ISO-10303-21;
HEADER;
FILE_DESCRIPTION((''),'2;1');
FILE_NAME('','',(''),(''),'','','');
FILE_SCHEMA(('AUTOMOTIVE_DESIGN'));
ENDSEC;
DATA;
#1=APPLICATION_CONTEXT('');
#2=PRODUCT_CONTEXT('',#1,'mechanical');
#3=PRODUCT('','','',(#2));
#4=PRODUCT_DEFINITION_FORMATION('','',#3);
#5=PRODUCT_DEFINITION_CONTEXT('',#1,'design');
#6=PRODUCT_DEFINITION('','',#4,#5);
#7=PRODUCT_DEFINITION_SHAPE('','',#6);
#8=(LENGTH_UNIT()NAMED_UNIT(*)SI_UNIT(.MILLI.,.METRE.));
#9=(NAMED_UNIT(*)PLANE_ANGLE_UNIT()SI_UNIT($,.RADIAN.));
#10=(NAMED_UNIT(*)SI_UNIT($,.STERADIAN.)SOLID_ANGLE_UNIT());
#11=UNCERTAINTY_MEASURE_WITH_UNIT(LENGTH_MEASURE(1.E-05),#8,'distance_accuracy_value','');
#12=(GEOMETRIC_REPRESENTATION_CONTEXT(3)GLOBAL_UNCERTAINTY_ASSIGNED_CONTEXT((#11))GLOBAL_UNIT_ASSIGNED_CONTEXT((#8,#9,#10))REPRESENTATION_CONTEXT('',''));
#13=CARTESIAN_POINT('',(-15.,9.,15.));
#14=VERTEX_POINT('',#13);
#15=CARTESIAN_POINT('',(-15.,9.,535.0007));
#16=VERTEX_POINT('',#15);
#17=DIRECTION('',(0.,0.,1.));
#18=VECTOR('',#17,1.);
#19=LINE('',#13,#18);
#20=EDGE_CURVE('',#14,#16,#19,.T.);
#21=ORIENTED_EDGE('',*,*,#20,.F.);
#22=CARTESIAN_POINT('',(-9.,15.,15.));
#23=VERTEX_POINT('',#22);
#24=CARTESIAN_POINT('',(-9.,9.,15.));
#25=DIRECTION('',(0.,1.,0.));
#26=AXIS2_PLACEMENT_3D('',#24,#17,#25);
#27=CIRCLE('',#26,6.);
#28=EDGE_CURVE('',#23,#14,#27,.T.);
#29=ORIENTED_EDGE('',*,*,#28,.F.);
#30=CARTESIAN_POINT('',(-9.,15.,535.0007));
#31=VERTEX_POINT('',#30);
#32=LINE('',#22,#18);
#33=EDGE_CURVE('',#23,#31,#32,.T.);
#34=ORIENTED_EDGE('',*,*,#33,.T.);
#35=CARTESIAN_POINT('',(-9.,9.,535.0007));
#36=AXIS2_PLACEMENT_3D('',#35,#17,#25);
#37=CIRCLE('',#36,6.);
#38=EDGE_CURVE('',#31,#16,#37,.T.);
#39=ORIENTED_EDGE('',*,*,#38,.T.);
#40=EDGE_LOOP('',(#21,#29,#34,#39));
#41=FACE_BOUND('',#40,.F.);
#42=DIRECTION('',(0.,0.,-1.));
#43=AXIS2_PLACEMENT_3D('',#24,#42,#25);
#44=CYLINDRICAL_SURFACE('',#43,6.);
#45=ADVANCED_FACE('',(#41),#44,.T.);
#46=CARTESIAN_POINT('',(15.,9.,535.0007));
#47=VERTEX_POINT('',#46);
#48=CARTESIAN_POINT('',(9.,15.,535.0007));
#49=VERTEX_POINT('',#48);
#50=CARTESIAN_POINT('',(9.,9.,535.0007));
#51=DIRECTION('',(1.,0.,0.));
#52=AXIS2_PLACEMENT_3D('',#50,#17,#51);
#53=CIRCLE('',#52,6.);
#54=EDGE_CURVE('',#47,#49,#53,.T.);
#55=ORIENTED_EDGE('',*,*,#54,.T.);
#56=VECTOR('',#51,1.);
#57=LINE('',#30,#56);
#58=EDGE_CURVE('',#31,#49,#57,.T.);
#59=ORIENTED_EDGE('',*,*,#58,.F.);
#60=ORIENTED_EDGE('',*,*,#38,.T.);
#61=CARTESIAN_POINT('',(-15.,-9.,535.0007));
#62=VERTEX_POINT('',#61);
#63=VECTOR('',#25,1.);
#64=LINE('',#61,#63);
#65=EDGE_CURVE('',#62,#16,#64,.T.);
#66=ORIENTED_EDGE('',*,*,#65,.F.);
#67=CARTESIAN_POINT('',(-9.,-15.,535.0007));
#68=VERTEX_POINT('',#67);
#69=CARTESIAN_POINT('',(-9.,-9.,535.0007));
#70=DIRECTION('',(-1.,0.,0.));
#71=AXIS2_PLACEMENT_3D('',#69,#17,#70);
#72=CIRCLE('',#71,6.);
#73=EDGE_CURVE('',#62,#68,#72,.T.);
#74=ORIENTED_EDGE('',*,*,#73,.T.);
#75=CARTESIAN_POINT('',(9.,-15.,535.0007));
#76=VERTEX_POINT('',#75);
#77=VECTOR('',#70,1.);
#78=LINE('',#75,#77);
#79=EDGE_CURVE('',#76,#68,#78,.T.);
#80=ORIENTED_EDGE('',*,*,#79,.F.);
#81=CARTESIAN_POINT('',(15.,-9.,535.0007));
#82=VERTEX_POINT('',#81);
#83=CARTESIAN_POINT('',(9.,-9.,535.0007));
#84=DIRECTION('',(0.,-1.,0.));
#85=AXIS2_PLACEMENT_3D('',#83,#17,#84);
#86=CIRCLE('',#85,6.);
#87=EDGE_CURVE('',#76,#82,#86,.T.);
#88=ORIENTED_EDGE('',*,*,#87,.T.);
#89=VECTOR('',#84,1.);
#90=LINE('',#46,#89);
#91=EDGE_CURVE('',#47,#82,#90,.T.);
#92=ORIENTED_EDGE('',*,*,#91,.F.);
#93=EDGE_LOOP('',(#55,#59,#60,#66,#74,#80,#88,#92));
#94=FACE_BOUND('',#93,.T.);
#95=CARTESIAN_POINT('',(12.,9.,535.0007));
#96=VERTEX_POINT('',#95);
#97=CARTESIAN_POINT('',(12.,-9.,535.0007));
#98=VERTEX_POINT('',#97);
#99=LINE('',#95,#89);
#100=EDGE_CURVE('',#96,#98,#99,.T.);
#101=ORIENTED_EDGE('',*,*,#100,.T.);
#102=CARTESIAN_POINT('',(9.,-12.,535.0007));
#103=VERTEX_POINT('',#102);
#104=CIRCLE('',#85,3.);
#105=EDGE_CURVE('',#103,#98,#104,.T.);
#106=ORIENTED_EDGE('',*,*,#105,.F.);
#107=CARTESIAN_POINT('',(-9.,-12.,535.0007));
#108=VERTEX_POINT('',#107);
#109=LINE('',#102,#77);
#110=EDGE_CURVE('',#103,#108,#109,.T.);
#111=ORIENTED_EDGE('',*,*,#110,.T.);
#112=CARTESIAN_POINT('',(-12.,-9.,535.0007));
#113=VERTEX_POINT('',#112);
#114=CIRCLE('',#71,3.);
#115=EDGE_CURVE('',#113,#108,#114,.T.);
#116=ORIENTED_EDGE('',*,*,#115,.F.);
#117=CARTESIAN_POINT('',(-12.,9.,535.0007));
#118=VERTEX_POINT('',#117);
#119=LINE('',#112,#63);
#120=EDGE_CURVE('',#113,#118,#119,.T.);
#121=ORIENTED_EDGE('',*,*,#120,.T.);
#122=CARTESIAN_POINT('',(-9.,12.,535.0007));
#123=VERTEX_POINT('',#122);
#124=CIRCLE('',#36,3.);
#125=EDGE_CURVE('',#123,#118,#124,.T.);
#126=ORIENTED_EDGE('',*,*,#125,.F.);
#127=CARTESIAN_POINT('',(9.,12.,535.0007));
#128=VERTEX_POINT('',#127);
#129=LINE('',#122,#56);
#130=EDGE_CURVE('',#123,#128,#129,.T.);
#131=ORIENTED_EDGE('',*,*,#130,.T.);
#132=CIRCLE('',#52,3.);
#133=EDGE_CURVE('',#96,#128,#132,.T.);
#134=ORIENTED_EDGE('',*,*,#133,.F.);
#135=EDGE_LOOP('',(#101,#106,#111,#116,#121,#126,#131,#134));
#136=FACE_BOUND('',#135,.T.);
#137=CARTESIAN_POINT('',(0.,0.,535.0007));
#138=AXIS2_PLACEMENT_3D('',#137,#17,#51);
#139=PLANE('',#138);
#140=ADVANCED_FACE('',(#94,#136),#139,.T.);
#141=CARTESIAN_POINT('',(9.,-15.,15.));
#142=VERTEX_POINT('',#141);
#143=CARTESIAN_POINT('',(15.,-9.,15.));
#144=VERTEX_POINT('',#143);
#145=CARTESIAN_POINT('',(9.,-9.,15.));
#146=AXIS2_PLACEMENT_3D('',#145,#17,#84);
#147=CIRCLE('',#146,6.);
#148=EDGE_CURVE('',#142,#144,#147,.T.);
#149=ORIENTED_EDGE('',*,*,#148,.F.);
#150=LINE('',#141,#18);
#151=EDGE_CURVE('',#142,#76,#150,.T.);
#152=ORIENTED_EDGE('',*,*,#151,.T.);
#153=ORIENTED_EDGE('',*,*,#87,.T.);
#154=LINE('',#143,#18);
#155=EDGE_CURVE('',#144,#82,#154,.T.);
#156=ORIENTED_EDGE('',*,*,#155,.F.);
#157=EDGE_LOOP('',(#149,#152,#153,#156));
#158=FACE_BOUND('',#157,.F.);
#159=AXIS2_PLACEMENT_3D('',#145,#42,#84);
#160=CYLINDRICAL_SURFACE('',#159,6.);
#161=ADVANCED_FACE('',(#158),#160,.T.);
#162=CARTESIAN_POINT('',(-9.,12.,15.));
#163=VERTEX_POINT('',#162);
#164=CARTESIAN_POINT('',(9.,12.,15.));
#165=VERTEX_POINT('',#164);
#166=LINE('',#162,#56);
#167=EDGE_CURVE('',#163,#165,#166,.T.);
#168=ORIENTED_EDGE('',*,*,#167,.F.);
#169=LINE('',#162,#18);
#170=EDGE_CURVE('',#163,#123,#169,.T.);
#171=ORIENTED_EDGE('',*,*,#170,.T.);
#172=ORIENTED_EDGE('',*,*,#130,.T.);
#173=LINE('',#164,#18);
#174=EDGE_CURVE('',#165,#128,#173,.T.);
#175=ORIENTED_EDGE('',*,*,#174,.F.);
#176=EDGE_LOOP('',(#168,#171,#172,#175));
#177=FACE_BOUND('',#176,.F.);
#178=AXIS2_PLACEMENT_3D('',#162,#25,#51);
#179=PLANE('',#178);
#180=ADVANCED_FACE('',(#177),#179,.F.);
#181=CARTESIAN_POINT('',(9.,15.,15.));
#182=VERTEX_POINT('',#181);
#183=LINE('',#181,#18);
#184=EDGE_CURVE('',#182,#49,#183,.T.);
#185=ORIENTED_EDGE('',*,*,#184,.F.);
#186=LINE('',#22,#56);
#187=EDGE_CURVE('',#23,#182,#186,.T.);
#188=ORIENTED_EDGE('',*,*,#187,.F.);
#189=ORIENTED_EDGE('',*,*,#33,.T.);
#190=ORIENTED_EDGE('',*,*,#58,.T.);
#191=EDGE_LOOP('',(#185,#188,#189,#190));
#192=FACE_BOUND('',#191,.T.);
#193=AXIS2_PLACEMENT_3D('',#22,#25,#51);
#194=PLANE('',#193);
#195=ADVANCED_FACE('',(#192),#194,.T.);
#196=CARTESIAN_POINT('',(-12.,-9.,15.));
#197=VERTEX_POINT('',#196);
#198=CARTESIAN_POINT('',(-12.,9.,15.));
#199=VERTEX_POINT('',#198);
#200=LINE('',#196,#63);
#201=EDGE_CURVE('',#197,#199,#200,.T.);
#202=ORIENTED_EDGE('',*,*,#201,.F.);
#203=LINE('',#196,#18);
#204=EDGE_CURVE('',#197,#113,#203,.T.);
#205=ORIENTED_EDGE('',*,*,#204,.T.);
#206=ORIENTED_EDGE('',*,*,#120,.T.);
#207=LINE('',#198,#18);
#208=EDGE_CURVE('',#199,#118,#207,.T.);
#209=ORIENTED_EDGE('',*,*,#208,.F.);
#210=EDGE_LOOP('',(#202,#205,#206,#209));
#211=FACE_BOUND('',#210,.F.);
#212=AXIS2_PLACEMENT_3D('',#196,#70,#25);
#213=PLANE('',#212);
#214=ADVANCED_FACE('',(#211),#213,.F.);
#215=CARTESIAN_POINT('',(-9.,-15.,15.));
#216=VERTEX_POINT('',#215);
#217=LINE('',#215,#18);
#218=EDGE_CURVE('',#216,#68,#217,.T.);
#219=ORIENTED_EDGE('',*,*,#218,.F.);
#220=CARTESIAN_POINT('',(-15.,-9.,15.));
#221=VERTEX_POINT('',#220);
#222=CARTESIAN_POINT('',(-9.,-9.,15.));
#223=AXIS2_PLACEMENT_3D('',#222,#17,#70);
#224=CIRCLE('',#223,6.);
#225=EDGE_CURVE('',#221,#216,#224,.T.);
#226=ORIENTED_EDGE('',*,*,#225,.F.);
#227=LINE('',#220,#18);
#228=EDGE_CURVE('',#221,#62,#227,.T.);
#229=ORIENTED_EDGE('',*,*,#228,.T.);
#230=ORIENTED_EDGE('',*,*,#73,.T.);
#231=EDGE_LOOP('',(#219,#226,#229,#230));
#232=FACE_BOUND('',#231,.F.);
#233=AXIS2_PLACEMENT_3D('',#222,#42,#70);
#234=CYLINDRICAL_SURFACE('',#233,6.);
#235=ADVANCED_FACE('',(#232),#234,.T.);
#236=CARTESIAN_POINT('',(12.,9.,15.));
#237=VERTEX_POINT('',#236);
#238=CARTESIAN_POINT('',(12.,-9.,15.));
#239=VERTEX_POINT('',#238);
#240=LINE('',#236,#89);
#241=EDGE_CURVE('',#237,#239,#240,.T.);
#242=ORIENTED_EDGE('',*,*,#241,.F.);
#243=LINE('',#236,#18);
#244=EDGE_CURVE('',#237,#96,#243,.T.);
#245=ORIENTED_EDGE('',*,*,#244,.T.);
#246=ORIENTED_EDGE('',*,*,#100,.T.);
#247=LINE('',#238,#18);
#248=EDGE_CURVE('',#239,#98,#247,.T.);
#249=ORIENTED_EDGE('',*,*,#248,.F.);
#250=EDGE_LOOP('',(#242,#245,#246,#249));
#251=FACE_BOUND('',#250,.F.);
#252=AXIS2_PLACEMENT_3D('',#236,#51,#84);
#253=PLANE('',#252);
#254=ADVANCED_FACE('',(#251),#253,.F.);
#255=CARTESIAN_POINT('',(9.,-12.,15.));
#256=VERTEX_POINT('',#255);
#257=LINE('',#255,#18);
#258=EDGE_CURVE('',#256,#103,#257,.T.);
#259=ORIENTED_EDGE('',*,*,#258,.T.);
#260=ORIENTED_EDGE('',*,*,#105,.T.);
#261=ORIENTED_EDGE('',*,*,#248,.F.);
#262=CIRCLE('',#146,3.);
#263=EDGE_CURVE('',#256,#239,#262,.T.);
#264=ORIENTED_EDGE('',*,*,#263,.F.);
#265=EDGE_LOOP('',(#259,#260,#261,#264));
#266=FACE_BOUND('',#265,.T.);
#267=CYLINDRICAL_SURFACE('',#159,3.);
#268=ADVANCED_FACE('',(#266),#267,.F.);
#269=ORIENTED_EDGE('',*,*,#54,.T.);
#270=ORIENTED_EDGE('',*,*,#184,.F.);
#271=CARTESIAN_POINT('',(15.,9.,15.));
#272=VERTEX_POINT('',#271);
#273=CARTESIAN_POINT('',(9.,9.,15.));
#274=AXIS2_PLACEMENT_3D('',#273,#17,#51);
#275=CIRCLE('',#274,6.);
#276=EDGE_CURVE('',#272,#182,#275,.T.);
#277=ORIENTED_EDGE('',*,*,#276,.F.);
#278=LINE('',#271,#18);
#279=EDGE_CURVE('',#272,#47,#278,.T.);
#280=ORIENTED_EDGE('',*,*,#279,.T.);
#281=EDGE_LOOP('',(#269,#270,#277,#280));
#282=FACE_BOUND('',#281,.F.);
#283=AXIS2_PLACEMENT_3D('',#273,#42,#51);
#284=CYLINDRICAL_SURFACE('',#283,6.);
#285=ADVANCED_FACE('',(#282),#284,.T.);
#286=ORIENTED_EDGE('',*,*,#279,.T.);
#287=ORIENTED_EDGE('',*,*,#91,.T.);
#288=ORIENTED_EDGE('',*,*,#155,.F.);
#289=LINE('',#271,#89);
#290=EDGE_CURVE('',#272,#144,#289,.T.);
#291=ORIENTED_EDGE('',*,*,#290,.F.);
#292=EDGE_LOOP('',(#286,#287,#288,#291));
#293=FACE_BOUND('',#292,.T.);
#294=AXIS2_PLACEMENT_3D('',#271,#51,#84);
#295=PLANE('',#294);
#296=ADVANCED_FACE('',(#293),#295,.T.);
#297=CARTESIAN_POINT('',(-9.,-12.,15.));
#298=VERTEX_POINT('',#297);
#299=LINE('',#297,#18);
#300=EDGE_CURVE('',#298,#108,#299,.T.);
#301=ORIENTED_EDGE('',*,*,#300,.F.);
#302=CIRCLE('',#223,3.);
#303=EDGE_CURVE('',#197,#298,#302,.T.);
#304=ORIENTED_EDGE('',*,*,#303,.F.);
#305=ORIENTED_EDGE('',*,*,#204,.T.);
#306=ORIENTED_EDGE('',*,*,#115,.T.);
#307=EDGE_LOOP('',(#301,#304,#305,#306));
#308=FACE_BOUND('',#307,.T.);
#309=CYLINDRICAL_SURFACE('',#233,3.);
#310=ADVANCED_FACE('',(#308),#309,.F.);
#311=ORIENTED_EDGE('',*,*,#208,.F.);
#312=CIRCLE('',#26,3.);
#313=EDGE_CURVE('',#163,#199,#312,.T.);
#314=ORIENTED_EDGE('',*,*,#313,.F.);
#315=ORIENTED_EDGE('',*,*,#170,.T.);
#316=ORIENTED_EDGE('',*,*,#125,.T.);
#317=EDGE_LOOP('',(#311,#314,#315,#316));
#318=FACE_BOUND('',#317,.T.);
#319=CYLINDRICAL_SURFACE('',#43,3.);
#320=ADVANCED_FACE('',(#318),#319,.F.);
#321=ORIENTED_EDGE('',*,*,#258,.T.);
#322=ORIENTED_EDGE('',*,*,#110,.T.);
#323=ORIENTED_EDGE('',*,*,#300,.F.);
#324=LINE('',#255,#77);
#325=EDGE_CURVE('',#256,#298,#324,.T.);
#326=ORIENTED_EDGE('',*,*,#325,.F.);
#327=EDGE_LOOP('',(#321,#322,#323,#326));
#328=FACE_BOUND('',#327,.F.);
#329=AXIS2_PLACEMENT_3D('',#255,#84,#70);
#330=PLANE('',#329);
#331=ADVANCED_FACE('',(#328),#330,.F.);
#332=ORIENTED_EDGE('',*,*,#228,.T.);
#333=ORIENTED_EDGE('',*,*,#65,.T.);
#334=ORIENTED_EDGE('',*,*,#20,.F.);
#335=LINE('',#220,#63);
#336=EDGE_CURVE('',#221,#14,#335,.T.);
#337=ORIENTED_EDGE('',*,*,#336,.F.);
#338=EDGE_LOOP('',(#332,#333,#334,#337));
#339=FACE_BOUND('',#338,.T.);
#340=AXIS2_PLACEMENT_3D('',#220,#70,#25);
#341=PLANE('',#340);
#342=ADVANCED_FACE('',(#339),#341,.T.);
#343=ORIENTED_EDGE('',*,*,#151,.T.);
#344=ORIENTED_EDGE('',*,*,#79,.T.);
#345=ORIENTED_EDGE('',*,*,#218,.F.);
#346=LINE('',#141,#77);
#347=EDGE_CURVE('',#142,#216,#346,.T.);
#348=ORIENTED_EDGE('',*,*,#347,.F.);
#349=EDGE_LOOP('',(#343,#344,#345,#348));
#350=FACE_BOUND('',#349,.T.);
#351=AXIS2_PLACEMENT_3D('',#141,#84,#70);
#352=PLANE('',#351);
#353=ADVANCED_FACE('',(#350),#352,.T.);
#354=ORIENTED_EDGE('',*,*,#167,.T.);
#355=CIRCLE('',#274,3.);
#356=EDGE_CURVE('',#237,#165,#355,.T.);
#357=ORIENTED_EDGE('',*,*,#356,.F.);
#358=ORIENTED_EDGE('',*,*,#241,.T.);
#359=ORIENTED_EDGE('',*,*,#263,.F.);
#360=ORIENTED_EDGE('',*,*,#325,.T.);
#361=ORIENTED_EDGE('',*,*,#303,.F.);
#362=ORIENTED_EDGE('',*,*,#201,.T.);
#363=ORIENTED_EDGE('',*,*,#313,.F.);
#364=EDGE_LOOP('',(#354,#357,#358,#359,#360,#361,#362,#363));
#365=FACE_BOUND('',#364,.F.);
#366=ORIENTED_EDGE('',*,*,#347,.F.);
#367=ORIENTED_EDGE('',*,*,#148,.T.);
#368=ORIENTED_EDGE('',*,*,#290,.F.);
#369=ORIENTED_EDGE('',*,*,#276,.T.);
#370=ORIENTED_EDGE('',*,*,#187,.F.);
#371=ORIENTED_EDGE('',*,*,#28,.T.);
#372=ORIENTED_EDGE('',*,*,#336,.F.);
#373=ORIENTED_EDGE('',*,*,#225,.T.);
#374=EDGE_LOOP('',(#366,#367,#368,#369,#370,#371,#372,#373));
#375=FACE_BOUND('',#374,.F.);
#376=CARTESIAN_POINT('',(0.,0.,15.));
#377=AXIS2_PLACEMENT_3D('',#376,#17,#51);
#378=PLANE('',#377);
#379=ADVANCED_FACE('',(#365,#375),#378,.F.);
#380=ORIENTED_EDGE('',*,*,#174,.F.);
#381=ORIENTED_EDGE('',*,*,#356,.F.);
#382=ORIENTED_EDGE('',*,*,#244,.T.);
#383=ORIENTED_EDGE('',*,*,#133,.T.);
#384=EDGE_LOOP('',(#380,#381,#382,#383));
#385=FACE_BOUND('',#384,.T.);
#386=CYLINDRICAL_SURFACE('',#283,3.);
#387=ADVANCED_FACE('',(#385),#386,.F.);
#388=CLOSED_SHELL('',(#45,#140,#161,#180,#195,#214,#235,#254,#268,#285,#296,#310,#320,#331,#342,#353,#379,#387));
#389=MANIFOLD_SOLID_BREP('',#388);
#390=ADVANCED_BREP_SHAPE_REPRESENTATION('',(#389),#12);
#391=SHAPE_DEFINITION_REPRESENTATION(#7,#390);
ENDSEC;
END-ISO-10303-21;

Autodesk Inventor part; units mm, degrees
ref_plane "Start Plane" through (0, 0, 15) normal (0, 0, 1) x (1, 0, 0)
ref_plane "End Plane" through (0, 0, 535.0007) normal (0, 0, 1) x (1, 0, 0)
sketch "Sketch" plane through (0, 0, 0) normal (0, 0, 1) x (1, 0, 0)
  line L0 (-15, -9) -> (-15, 9)
  line L1 (-9, 15) -> (9, 15)
  line L2 (15, 9) -> (15, -9)
  line L3 (9, -15) -> (-9, -15)
  arc A0 (-15, -9) -> (-9, -15) centre (-9, -9) ccw
  arc A1 (-9, 15) -> (-15, 9) centre (-9, 9) ccw
  arc A2 (15, 9) -> (9, 15) centre (9, 9) ccw
  arc A3 (9, -15) -> (15, -9) centre (9, -9) ccw
  arc A4 (-9, 12) -> (-12, 9) centre (-9, 9) ccw
  line L4 (-9, 12) -> (9, 12)
  arc A5 (12, 9) -> (9, 12) centre (9, 9) ccw
  line L5 (12, 9) -> (12, -9)
  arc A6 (9, -12) -> (12, -9) centre (9, -9) ccw
  line L6 (9, -12) -> (-9, -12)
  arc A7 (-12, -9) -> (-9, -12) centre (-9, -9) ccw
  line L7 (-12, -9) -> (-12, 9)
  line L8 (0, 22.7397) -> (0, -22.7397) construction
  line L9 (-22.7397, 0) -> (22.7397, 0) construction
  dimension "d7" = 6
  dimension "d10" = 30
  dimension "d11" = 30
  dimension "d12" = 3
  dimension "d15" = 15
  dimension "d16" = 15
extrude "Body" add sketch "Sketch" along normal up to surface (520.0007 mm away) from surface at 15
sketch "Sketch3" plane through (0, 0, 0) normal (0, 0, 1) x (1, 0, 0)
  line L0 (0, 0) -> (10, 0)
ref_plane "Work Plane3" through (0, 0, 0) normal (0, -1, 0) x (1, 0, 0)
ref_plane "Work Plane4" through (9, 1737, 15) normal (0, 0, -1) x (-1, 0, 0)
split "Split1" plane through (9, 1737, 15) removes the side toward (0, 0, -1)
ref_plane "Work Plane6" through (9.0011, 597, 535.0007) normal (0, 0, 1) x (1, 0, 0)
split "Split3" plane through (9.0011, 597, 535.0007) removes the side toward (0, 0, 1)
sketch "Sketch4" plane through (0, 0, 0) normal (0, -1, 0) x (1, 0, 0)
  line L0 (-2, 15) -> (12, 15) projected
  line L1 (-2, 535.0007) -> (12, 535.0007) projected
  dimension "d18" = 520.0007
equation "\"d7\" = G_IR"
equation "\"d10\" = G_H"
equation "\"d11\" = G_W"
equation "\"d12\" = G_T"
equation "\"d15\" = 0.5 * d10"
equation "\"d16\" = 0.5 * d11"
equation "\"d3\" = G_L"
equation "\"G_W\" = 30"
equation "\"G_H\" = 30"
equation "\"G_T\" = 3"
equation "\"G_IR\" = 6"
equation "\"G_L\" = d18"
equation "\"G_OFFSET_START\" = -15"
equation "\"G_OFFSET_END\" = -14.99934"
equation "\"d13\" = -G_OFFSET_START"
equation "\"d14\" = G_OFFSET_END + B_L"
equation "\"B_L\" = 550"
properties part number "DIN EN 10219-2 - 30 x 30 x 3  - 520" material "Steel, Mild"
